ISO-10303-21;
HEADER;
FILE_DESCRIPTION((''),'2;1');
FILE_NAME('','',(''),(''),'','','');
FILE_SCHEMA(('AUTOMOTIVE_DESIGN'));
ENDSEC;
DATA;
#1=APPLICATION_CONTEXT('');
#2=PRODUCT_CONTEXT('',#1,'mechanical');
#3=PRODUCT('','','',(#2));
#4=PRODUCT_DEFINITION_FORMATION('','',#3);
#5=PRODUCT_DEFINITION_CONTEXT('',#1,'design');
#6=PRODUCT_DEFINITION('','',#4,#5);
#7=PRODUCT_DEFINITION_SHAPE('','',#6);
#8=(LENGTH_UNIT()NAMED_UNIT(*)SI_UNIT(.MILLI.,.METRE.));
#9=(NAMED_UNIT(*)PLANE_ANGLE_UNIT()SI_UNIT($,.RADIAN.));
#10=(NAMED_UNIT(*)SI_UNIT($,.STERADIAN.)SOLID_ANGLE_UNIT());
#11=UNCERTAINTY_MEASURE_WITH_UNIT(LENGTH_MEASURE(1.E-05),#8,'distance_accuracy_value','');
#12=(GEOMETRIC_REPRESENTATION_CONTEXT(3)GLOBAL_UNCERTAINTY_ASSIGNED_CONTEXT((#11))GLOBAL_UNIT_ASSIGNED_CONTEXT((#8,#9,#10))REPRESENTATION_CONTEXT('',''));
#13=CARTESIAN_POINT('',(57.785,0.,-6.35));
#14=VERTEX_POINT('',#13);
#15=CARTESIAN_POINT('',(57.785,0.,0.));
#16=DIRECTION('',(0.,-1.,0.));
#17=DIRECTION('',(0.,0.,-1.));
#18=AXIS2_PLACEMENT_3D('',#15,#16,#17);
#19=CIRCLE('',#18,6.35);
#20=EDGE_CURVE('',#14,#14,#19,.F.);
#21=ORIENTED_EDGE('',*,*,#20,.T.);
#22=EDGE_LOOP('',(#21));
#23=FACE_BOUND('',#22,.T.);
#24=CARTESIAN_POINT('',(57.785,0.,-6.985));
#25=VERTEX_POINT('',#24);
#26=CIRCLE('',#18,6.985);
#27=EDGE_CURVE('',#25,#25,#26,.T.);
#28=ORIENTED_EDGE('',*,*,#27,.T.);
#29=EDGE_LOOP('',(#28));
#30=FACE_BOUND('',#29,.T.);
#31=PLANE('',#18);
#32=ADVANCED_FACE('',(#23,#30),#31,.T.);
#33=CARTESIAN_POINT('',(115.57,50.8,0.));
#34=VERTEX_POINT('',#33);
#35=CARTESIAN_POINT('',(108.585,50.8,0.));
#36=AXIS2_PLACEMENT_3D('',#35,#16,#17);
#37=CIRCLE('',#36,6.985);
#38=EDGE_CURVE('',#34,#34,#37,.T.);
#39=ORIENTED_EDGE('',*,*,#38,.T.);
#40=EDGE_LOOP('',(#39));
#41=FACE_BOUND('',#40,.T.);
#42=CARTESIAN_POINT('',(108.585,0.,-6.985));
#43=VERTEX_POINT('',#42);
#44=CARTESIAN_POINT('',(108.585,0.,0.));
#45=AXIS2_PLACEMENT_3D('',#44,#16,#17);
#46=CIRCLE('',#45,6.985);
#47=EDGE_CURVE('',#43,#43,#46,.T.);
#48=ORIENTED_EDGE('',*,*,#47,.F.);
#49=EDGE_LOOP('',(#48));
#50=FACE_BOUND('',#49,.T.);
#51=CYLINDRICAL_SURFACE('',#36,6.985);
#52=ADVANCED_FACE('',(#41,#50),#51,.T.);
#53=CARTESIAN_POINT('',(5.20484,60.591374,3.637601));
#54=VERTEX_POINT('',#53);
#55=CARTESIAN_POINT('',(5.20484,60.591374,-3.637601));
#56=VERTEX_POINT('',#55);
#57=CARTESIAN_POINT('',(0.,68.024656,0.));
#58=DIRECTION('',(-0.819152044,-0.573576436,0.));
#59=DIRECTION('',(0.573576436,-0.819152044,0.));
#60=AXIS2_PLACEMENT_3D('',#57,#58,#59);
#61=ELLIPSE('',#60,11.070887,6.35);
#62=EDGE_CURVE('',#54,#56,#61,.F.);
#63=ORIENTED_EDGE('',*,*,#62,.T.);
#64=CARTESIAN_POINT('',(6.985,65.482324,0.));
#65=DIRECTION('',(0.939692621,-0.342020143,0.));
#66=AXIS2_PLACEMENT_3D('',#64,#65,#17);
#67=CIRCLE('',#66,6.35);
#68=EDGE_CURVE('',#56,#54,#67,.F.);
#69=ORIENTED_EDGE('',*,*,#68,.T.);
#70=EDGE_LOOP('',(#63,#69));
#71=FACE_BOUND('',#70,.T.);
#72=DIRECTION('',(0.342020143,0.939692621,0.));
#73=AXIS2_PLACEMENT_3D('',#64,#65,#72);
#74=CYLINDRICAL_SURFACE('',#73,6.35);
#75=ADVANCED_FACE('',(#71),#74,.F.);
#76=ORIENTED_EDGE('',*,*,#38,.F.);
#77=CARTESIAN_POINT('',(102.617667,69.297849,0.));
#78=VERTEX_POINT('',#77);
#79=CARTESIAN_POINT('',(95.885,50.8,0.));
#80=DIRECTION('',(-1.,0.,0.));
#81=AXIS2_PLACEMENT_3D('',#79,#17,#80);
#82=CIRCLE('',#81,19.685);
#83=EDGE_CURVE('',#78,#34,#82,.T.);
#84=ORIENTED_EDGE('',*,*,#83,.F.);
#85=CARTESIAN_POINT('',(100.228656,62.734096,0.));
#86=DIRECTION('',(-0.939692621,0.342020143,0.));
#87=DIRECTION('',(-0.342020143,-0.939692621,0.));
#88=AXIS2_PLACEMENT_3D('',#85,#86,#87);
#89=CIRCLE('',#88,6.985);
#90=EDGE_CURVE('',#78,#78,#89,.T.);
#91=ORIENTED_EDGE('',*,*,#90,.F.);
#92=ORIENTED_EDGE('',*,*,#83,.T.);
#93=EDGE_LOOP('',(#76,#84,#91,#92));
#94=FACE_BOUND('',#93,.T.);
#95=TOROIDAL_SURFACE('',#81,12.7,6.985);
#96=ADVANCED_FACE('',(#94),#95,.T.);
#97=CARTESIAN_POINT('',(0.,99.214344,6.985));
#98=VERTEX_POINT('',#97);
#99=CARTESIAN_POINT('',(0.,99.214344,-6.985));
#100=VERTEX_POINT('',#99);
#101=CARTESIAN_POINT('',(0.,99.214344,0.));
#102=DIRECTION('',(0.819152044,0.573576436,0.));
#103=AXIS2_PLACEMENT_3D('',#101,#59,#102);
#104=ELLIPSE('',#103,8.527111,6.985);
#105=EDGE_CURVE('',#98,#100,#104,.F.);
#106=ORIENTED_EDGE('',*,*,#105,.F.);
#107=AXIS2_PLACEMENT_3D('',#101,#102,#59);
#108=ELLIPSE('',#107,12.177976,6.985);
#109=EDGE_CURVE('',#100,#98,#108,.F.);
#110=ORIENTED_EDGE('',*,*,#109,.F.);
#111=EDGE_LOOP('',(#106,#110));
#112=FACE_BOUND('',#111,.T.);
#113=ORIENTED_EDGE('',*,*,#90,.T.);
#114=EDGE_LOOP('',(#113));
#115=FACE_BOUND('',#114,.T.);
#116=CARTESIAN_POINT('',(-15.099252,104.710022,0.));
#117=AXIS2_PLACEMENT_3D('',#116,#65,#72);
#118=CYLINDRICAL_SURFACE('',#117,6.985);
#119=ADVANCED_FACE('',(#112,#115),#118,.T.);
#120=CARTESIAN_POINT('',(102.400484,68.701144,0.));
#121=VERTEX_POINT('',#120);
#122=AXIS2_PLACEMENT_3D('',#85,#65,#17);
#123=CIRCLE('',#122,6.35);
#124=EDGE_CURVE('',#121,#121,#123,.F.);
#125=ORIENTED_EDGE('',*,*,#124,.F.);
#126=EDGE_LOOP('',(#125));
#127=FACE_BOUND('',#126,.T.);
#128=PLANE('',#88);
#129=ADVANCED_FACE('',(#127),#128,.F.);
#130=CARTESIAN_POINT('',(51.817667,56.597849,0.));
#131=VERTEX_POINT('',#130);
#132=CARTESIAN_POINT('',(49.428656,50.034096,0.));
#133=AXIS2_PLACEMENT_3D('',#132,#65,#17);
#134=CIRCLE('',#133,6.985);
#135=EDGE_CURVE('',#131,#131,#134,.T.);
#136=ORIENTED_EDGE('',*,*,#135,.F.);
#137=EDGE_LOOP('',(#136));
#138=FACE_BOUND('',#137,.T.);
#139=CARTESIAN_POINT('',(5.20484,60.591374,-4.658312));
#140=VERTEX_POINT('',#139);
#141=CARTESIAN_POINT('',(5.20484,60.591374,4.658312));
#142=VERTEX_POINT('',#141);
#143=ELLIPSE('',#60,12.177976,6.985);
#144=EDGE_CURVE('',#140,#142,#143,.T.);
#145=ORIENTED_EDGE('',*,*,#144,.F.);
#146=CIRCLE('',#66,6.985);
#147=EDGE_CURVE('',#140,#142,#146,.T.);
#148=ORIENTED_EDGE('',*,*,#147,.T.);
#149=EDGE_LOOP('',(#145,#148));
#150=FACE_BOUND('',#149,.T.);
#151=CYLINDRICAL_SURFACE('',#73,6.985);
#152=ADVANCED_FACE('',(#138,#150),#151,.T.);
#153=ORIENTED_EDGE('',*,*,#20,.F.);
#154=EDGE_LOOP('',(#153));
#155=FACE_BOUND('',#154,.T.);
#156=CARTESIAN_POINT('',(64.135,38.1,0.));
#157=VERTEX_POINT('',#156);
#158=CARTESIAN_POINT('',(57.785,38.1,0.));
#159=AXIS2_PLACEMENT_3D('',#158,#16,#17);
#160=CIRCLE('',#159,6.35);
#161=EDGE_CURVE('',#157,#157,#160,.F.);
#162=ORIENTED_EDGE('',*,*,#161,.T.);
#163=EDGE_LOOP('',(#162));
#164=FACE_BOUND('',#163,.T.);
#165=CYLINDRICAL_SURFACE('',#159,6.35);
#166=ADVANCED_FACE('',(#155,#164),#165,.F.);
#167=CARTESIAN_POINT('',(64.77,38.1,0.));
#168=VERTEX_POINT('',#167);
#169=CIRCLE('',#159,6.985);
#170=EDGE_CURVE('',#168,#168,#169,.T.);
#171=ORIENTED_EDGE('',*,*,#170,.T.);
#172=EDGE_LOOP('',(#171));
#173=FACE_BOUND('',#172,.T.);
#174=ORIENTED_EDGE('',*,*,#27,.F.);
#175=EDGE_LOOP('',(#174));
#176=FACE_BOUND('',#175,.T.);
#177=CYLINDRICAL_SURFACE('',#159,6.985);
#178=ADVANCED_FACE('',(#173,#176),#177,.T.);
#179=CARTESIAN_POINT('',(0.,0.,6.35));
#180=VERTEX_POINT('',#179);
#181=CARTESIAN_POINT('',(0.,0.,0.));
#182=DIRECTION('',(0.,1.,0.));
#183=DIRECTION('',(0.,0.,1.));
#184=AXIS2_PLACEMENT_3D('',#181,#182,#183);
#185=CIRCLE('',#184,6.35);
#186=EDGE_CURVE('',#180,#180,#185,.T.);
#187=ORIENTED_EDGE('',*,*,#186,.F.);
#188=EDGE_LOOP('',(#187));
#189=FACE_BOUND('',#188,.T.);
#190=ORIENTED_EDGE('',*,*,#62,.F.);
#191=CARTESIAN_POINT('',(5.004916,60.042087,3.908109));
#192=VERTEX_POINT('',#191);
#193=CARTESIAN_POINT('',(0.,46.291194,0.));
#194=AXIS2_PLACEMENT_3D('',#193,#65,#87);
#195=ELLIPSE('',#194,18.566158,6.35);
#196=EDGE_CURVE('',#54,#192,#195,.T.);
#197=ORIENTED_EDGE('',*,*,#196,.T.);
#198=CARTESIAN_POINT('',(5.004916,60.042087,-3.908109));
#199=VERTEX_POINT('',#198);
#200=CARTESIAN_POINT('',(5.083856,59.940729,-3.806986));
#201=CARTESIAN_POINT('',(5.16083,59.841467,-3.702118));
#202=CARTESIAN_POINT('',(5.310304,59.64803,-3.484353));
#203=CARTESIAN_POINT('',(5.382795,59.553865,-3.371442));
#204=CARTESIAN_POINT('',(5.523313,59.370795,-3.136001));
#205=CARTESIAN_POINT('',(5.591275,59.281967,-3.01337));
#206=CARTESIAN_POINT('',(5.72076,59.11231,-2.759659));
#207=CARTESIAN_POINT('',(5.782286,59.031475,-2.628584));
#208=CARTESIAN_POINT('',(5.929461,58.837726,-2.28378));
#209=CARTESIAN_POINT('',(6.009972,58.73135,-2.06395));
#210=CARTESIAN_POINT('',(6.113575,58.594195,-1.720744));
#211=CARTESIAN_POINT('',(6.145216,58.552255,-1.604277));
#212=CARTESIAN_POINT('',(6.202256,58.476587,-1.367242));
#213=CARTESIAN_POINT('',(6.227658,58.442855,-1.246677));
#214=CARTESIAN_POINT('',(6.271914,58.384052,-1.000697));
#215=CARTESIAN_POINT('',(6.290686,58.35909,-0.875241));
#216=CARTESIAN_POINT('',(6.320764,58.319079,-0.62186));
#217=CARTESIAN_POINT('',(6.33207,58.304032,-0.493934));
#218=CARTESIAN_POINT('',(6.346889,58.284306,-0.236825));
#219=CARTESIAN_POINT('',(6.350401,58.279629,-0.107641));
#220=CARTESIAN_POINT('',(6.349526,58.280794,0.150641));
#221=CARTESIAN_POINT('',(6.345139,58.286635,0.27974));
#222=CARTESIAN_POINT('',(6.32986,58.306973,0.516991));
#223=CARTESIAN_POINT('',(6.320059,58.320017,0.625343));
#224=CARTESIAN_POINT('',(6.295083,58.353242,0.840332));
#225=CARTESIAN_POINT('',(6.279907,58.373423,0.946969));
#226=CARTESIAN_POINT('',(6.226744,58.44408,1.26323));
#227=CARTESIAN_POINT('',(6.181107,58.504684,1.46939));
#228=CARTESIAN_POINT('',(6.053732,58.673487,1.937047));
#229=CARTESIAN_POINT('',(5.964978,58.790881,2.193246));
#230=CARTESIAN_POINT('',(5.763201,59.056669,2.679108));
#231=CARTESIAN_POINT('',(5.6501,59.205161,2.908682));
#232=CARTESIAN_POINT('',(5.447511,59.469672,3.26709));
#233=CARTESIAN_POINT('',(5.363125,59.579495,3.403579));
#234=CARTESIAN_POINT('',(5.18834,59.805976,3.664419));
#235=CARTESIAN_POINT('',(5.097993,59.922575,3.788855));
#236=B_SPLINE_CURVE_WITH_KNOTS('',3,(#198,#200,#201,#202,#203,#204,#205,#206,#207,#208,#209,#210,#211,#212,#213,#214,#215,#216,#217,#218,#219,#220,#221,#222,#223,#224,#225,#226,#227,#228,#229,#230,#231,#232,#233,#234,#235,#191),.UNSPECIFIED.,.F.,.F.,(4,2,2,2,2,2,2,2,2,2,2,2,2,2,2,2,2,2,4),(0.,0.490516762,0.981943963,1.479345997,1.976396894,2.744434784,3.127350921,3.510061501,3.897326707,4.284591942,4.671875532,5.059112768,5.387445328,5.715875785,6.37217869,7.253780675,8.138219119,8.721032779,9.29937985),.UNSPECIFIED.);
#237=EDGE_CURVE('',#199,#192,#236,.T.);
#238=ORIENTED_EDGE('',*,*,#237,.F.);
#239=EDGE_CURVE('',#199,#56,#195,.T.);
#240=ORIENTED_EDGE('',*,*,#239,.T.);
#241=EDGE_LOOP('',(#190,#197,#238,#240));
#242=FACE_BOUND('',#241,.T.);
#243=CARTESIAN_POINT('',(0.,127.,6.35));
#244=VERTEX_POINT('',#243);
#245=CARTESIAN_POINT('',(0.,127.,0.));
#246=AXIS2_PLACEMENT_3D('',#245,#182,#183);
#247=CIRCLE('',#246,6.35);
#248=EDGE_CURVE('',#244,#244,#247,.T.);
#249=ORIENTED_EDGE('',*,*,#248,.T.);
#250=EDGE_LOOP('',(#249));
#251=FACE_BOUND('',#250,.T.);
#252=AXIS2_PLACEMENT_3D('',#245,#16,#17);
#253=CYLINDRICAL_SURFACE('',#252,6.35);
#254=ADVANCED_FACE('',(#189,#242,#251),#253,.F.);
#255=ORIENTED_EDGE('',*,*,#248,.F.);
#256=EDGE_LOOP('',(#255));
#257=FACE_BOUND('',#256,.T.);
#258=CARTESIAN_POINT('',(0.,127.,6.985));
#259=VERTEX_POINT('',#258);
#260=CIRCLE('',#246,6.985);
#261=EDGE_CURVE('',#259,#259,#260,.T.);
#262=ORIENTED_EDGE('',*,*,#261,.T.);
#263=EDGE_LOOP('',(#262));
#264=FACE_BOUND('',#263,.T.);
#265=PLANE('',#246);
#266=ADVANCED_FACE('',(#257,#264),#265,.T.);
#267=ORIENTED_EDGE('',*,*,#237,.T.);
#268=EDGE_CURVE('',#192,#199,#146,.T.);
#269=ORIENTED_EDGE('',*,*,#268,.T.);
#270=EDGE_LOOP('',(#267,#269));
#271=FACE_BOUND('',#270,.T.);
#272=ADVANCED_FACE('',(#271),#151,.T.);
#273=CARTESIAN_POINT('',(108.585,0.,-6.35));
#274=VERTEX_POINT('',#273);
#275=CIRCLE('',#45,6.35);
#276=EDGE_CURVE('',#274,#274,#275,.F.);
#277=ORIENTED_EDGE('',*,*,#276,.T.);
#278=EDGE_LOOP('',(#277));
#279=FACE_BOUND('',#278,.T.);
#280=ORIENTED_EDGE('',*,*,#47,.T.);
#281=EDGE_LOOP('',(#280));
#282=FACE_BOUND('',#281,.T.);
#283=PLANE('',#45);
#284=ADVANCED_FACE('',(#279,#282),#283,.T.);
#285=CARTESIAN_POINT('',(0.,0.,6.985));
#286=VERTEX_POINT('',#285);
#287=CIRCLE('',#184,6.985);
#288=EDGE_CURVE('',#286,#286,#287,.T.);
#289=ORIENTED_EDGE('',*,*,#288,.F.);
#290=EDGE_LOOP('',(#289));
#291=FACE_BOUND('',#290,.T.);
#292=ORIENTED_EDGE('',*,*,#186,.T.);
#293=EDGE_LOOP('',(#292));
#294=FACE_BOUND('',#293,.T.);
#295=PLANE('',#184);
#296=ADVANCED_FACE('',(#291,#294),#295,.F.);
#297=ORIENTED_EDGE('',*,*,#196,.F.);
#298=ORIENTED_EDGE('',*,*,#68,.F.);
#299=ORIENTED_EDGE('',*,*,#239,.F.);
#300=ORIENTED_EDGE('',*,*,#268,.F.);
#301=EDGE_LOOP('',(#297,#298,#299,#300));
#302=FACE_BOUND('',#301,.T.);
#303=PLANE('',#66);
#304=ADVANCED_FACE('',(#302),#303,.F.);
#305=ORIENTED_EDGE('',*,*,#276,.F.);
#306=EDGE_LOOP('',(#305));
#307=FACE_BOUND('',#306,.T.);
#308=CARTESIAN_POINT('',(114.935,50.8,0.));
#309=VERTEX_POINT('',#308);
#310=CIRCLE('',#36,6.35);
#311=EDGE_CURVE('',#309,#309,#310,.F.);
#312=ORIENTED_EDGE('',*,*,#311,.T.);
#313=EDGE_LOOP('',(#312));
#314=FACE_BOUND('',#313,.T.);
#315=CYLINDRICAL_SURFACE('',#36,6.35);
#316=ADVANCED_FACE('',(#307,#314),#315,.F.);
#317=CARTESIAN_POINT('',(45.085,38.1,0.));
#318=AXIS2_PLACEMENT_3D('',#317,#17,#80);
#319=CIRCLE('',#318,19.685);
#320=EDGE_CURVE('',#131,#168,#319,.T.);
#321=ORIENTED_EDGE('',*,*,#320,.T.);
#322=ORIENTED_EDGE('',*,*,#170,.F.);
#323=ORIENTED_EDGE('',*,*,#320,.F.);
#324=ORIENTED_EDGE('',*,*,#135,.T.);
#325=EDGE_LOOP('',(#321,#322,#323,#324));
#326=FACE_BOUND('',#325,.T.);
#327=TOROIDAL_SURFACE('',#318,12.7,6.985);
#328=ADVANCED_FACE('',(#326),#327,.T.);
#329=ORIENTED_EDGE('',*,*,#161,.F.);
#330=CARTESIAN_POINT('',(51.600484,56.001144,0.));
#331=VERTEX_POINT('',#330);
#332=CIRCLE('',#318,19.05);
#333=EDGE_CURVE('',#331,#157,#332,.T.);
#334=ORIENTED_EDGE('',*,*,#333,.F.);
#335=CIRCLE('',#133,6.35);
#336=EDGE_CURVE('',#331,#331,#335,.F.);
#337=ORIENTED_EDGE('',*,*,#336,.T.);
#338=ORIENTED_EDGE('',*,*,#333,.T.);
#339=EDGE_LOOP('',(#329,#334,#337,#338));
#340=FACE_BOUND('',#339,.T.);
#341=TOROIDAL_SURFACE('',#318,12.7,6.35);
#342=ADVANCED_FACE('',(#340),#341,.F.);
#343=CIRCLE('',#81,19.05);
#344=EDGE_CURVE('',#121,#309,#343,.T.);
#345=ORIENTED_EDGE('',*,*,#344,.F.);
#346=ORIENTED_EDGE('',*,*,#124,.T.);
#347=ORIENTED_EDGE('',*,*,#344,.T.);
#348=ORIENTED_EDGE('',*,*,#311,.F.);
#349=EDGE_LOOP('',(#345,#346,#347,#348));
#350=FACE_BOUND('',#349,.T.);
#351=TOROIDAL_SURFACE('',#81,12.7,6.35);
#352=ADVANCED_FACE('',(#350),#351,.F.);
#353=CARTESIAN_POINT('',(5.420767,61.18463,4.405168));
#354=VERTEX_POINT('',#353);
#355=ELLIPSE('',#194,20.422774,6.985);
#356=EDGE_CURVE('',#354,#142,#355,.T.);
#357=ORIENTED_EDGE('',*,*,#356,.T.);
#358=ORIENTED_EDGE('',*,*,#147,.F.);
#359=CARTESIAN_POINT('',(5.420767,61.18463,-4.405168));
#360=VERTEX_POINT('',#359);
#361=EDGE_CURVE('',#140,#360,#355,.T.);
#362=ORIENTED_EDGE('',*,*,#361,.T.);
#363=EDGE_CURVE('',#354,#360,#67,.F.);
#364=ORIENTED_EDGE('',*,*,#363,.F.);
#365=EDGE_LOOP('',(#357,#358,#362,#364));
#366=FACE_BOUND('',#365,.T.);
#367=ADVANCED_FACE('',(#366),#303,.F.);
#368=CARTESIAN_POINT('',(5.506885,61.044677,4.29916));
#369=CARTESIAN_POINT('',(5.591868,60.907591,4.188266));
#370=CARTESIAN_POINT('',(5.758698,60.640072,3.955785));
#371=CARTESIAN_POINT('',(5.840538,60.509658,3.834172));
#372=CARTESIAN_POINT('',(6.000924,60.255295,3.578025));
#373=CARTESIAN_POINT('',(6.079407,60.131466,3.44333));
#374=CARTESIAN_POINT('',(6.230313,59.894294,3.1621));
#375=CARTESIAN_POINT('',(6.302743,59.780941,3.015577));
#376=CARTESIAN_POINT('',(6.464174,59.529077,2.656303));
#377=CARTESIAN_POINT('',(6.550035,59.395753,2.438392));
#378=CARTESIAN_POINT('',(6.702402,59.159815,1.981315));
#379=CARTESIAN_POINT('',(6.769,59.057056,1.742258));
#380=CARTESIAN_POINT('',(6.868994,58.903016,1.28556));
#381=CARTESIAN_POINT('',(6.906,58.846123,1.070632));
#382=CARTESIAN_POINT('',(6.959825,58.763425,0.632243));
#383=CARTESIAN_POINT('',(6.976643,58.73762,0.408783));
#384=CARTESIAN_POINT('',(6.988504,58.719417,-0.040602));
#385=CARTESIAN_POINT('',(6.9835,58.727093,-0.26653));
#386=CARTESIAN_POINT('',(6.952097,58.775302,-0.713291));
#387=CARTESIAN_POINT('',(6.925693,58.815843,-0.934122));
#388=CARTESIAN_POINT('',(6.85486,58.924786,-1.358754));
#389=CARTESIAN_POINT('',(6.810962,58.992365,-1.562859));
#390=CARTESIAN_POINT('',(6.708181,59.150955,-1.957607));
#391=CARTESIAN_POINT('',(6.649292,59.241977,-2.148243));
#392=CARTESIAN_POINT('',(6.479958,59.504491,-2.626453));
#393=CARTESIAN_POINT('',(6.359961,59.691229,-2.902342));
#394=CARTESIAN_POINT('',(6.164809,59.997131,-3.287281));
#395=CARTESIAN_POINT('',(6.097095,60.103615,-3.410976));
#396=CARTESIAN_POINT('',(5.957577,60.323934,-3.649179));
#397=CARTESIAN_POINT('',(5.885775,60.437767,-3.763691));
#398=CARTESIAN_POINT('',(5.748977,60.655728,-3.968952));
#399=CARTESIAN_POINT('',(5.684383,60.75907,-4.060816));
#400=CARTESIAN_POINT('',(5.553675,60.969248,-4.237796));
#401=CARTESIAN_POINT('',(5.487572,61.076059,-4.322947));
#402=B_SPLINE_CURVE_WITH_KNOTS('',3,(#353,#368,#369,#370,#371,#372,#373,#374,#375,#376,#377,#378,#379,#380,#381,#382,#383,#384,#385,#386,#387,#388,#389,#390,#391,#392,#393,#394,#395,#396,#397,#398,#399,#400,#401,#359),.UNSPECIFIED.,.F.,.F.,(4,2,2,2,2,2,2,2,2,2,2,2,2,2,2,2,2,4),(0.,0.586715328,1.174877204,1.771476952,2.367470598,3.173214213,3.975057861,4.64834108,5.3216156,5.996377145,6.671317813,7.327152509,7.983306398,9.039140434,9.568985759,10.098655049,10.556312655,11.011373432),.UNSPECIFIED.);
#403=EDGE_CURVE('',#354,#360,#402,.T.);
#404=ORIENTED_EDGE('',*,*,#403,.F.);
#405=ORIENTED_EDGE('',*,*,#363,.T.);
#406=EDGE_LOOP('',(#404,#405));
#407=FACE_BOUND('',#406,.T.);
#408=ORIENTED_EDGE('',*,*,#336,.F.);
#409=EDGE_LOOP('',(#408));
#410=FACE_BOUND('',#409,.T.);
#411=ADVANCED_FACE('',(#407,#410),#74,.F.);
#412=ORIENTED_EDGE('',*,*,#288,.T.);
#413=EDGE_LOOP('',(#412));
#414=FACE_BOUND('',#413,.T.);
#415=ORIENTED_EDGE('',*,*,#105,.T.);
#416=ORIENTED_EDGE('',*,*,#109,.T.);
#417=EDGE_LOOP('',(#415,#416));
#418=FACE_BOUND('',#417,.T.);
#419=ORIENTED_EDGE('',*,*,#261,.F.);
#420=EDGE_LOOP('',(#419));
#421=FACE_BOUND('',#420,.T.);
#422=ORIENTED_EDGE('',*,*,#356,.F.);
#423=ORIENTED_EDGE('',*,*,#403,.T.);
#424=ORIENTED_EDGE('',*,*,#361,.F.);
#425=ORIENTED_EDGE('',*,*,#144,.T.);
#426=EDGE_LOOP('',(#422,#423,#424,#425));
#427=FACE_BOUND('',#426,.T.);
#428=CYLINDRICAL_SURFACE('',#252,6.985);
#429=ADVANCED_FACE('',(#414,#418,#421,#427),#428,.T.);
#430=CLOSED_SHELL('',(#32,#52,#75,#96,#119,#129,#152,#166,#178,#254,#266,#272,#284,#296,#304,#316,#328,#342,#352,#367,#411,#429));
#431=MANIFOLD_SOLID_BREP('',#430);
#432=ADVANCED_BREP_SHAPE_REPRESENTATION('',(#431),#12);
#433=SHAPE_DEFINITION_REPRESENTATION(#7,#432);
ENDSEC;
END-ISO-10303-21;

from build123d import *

# Parameters (mm, degrees)
SKETCH1_R                = 6.985
SKETCH1_R_2              = 6.35
BOSS_EXTRUDE1_DEPTH      = 127
SKETCH3_R                = 6.985
SKETCH3_R_2              = 6.35
BOSS_EXTRUDE3_REACH      = 171.672
BOSS_EXTRUDE3_END_RADIUS = 6.985
SKETCH6_R                = 6.985
SKETCH9_R                = 6.985
SKETCH9_R_2              = 6.35


with BuildPart() as part:
    # Sketch1 → Boss-Extrude1 (new body)
    with BuildSketch(Plane(origin=(0, 0, 0), x_dir=(1, 0, 0), z_dir=(0, 1, 0))):
        with Locations(Location((0, 0, 0), (0, 0, 270))):
            Circle(SKETCH1_R)
        with Locations(Location((0, 0, 0), (0, 0, 270))):
            Circle(SKETCH1_R_2, mode=Mode.SUBTRACT)
    extrude(amount=BOSS_EXTRUDE1_DEPTH)



with BuildPart() as body_2:
    # Sweep10: sweep along a path in Sketch2
    with BuildLine(Plane.XY) as sweep10_path:
        Line((108.585, 0), (108.585, 50.8))
        ThreePointArc((108.585, 50.8), (106.288230962, 58.084420742), (100.22865582, 62.734096284))
    # Sketch3 → Sweep10 (sweep)
    with BuildSketch(Plane(origin=(108.585, 0, 0), x_dir=(-1, 0, 0), z_dir=(0, -1, 0))):
        Circle(SKETCH3_R)
        Circle(SKETCH3_R_2, mode=Mode.SUBTRACT)
    sweep(path=sweep10_path.line)


with BuildPart() as part_1:
    add(part.part)

    add(body_2.part)  # Boss-Extrude3 merges body 2
    # Boss-Extrude3: up to this cylinder (the profile starts outside it)
    boss_extrude3_end = Plane(origin=(0, 62.734096, 0), z_dir=(0, -1, 0)) * Cylinder(BOSS_EXTRUDE3_END_RADIUS, 358.314, mode=Mode.PRIVATE)
    # Sketch6 → Boss-Extrude3 (add, up to the surface)
    with BuildSketch(Plane(origin=(68.341780428, -24.874373833, 0), x_dir=(0, 0, 1), z_dir=(-0.9396926207859093, 0.3420201433256665, 0)), mode=Mode.PRIVATE) as boss_extrude3_sk1:
        with Locations(Location((0, 93.230986579, 0), (0, 0, 90))):
            Circle(SKETCH6_R)
    boss_extrude3_tool1 = extrude(boss_extrude3_sk1.sketch, amount=BOSS_EXTRUDE3_REACH, mode=Mode.PRIVATE) - boss_extrude3_end
    add(boss_extrude3_tool1.solids().sort_by_distance((100.228656, 62.734096, 0))[0])

    # Sweep14: sweep along a path in Sketch8
    with BuildLine(Plane.XY) as sweep14_path:
        Line((6.985, 65.482323636), (49.42865582, 50.034096284))
        ThreePointArc((49.42865582, 50.034096284), (55.488230962, 45.384420742), (57.785, 38.1))
        Line((57.785, 38.1), (57.785, 0))
    # Sketch9 → Sweep14 (sweep)
    with BuildSketch(Plane(origin=(57.785, 0, 0), x_dir=(-1, 0, 0), z_dir=(0, -1, 0))):
        Circle(SKETCH9_R)
        Circle(SKETCH9_R_2, mode=Mode.SUBTRACT)
    sweep(path=sweep14_path.line)


solid = part_1.part
